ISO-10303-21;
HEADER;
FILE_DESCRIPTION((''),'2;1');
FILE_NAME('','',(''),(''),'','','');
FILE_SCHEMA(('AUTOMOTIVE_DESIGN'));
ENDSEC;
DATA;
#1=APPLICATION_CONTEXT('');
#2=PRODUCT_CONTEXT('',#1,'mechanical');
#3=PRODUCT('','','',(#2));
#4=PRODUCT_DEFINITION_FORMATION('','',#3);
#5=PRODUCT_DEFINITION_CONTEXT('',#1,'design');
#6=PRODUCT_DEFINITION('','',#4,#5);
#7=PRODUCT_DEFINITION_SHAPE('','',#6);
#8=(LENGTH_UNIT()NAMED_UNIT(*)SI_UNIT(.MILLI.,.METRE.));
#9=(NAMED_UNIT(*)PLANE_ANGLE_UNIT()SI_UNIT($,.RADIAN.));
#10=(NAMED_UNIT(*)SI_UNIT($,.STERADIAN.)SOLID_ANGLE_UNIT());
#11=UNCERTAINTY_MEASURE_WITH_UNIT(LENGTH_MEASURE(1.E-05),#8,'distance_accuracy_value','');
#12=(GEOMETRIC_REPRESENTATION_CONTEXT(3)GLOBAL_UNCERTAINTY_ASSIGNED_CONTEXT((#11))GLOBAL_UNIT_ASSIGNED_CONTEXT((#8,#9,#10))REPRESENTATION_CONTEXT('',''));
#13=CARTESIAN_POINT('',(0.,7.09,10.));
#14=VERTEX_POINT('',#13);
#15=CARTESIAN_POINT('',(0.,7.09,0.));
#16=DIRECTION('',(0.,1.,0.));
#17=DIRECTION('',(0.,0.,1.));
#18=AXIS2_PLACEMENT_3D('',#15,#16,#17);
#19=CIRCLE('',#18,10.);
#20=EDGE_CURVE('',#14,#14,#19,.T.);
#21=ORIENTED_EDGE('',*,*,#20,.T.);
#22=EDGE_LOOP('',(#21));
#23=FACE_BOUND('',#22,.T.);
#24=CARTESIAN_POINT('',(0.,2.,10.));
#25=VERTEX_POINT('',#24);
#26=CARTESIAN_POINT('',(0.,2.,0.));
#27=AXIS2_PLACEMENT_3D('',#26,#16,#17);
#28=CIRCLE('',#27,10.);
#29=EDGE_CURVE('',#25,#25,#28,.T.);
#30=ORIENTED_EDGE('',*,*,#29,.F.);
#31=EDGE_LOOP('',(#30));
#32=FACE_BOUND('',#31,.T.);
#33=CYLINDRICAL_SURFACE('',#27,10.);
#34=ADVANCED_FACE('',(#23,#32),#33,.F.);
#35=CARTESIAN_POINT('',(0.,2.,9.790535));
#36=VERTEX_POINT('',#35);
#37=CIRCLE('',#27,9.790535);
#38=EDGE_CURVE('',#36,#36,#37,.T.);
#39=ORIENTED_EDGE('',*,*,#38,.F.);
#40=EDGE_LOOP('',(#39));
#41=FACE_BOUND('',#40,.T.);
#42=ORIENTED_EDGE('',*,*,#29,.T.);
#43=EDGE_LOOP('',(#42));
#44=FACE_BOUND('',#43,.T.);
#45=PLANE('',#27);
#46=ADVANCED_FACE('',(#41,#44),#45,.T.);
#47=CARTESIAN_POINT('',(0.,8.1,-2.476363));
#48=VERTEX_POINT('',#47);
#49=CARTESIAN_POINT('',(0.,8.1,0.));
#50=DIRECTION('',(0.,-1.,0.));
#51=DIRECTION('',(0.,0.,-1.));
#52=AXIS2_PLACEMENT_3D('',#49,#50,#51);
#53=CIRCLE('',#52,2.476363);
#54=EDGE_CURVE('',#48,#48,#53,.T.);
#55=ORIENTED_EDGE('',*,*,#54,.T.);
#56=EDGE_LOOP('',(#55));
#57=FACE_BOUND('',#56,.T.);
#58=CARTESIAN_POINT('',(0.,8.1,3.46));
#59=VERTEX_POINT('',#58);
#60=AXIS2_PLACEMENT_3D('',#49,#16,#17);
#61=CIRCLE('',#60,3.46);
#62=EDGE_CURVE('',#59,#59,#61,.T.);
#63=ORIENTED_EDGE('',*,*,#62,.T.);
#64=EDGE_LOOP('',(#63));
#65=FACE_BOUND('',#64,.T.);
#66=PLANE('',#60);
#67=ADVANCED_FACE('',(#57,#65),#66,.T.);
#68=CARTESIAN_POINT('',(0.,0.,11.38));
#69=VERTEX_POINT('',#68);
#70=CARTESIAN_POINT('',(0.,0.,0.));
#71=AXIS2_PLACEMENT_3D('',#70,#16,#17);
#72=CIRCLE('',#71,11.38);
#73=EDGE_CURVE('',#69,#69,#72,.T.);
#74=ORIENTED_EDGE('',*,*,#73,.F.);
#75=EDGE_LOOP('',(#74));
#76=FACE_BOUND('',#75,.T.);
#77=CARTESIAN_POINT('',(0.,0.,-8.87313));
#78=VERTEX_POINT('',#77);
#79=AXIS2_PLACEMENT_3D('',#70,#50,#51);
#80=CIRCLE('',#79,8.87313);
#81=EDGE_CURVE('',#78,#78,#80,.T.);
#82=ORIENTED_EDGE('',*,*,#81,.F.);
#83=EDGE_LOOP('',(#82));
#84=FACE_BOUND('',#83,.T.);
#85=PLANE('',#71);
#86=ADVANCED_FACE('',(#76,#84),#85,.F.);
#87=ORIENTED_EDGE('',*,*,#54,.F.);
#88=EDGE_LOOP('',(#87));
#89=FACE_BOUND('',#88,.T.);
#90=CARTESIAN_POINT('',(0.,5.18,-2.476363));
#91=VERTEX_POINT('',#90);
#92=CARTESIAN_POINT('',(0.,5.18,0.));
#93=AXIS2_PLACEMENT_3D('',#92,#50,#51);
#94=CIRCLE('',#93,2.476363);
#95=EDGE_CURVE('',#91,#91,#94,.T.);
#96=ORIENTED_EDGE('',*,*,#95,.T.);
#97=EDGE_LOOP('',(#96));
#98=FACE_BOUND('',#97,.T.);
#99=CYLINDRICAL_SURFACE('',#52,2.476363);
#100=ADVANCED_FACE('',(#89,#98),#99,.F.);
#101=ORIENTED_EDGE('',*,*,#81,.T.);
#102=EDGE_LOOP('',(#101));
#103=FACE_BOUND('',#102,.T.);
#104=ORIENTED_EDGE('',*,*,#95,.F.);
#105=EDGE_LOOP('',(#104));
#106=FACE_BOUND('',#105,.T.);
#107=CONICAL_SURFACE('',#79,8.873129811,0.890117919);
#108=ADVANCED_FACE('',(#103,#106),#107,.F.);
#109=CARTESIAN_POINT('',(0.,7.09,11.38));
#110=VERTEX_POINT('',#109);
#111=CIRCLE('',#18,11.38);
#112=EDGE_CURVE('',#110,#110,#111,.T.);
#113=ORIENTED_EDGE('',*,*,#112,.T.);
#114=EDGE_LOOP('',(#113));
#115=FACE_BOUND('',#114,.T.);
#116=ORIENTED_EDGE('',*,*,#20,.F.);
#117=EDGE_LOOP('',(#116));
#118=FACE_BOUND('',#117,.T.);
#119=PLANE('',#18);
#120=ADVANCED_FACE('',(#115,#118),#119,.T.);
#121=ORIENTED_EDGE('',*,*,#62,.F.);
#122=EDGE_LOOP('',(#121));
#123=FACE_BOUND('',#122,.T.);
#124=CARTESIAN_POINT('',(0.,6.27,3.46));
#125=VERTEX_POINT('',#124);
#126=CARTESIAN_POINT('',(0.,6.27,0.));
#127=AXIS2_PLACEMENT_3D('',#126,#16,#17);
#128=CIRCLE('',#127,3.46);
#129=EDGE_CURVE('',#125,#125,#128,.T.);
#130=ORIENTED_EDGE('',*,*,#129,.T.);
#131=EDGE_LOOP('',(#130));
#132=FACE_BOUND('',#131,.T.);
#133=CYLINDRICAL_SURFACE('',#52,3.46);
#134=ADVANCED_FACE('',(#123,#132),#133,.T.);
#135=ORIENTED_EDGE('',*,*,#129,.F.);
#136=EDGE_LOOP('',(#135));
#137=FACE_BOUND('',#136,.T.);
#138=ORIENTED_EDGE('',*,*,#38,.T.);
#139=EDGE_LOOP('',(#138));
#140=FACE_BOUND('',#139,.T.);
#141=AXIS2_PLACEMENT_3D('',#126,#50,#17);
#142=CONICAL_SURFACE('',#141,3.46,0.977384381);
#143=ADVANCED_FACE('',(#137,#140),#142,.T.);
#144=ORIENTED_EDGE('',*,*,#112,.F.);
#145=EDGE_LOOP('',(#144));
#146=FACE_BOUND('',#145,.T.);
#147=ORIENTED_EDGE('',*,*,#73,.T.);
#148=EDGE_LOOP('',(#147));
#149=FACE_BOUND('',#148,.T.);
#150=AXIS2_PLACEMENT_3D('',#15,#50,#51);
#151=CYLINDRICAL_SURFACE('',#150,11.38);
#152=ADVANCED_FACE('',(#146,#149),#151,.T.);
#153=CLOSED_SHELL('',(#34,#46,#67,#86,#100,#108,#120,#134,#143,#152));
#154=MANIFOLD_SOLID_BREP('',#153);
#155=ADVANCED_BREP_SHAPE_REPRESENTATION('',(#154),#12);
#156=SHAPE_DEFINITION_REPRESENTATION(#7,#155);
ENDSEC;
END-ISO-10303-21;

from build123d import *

# Parameters (mm, degrees)
SKETCH_1_R          = 11.38
EXTRUDE_1_DEPTH     = 7.09
SKETCH_2_R          = 10
CUT_EXTRUDE_1_DEPTH = 5.09
SKETCH_3_R          = 3.46
EXTRUDE_2_DEPTH     = 6.1
SKETCH_4_R          = 3.46
EXTRUDE_3_DEPTH     = 5.18
EXTRUDE_3_DRAFT     = 56
SKETCH_5_R          = 8.873129811
CUT_EXTRUDE_2_DEPTH = 5.18
CUT_EXTRUDE_2_DRAFT = -51
SKETCH_6_R          = 2.476362541
CUT_EXTRUDE_3_DEPTH = 3.92


with BuildPart() as part:
    # 草图1 → 凸台-拉伸1 (new body)
    with BuildSketch(Plane(origin=(0, 0, 0), x_dir=(1, 0, 0), z_dir=(0, 1, 0))):
        with Locations(Location((0, 0, 0), (0, 0, 270))):  # turned: the seam where the file's is
            Circle(SKETCH_1_R)
    extrude(amount=EXTRUDE_1_DEPTH)

    # 草图2 → 切除-拉伸1 (cut)
    with BuildSketch(Plane(origin=(0, 7.09, 0), x_dir=(1, 0, 0), z_dir=(0, 1, 0))):
        with Locations(Location((0, 0, 0), (0, 0, 270))):  # turned: the seam where the file's is
            Circle(SKETCH_2_R)
    extrude(amount=-CUT_EXTRUDE_1_DEPTH, mode=Mode.SUBTRACT)

    # 草图3 → 凸台-拉伸2 (add)
    with BuildSketch(Plane(origin=(0, 2, 0), x_dir=(1, 0, 0), z_dir=(0, 1, 0))):
        with Locations(Location((0, 0, 0), (0, 0, 270))):  # turned: the seam where the file's is
            Circle(SKETCH_3_R)
    extrude(amount=EXTRUDE_2_DEPTH)


with BuildPart() as extrude_3_tool:
    # 草图4 → 凸台-拉伸3 (with draft: the straight prism first)
    with BuildSketch(Plane(origin=(0, 6.27, 0), x_dir=(1, 0, 0), z_dir=(0, 1, 0))):
        with Locations(Location((0, 0, 0), (0, 0, 270))):  # turned: the seam where the file's is
            Circle(SKETCH_4_R)
    extrude(amount=-EXTRUDE_3_DEPTH)
    # 凸台-拉伸3: the draft: its side faces are tilted about the plane it starts from
    extrude_3_sides = [extrude_3_tool.faces().sort_by_distance(p)[0] for p in [
        (0, 3.68, -3.46),
    ]]
    draft(extrude_3_sides, Plane(origin=(0, 6.27, 0), x_dir=(1, 0, 0), z_dir=(0, 1, 0)), EXTRUDE_3_DRAFT)


with BuildPart() as part_1:
    add(part.part)

    # 凸台-拉伸3: add extrude_3_tool
    add(extrude_3_tool.part)


with BuildPart() as cut_extrude_2_tool:
    # 草图5 → 切除-拉伸2 (with draft: the straight prism first)
    with BuildSketch(Plane.XZ):
        Circle(SKETCH_5_R)
    extrude(amount=-CUT_EXTRUDE_2_DEPTH)
    # 切除-拉伸2: the draft: its side faces are tilted about the plane it starts from
    cut_extrude_2_sides = [cut_extrude_2_tool.faces().sort_by_distance(p)[0] for p in [
        (-8.873129811, 2.59, 0),
    ]]
    draft(cut_extrude_2_sides, Plane.XZ, CUT_EXTRUDE_2_DRAFT)


with BuildPart() as part_2:
    add(part_1.part)

    # 切除-拉伸2: cut by cut_extrude_2_tool
    add(cut_extrude_2_tool.part, mode=Mode.SUBTRACT)

    # 草图6 → 切除-拉伸3 (cut, through all)
    with BuildSketch(Plane.XZ.offset(-5.18)):
        with Locations(Location((0, 0, 0), (0, 0, 270))):  # turned: the seam where the file's is
            Circle(SKETCH_6_R)
    extrude(amount=-CUT_EXTRUDE_3_DEPTH, mode=Mode.SUBTRACT)


solid = part_2.part
